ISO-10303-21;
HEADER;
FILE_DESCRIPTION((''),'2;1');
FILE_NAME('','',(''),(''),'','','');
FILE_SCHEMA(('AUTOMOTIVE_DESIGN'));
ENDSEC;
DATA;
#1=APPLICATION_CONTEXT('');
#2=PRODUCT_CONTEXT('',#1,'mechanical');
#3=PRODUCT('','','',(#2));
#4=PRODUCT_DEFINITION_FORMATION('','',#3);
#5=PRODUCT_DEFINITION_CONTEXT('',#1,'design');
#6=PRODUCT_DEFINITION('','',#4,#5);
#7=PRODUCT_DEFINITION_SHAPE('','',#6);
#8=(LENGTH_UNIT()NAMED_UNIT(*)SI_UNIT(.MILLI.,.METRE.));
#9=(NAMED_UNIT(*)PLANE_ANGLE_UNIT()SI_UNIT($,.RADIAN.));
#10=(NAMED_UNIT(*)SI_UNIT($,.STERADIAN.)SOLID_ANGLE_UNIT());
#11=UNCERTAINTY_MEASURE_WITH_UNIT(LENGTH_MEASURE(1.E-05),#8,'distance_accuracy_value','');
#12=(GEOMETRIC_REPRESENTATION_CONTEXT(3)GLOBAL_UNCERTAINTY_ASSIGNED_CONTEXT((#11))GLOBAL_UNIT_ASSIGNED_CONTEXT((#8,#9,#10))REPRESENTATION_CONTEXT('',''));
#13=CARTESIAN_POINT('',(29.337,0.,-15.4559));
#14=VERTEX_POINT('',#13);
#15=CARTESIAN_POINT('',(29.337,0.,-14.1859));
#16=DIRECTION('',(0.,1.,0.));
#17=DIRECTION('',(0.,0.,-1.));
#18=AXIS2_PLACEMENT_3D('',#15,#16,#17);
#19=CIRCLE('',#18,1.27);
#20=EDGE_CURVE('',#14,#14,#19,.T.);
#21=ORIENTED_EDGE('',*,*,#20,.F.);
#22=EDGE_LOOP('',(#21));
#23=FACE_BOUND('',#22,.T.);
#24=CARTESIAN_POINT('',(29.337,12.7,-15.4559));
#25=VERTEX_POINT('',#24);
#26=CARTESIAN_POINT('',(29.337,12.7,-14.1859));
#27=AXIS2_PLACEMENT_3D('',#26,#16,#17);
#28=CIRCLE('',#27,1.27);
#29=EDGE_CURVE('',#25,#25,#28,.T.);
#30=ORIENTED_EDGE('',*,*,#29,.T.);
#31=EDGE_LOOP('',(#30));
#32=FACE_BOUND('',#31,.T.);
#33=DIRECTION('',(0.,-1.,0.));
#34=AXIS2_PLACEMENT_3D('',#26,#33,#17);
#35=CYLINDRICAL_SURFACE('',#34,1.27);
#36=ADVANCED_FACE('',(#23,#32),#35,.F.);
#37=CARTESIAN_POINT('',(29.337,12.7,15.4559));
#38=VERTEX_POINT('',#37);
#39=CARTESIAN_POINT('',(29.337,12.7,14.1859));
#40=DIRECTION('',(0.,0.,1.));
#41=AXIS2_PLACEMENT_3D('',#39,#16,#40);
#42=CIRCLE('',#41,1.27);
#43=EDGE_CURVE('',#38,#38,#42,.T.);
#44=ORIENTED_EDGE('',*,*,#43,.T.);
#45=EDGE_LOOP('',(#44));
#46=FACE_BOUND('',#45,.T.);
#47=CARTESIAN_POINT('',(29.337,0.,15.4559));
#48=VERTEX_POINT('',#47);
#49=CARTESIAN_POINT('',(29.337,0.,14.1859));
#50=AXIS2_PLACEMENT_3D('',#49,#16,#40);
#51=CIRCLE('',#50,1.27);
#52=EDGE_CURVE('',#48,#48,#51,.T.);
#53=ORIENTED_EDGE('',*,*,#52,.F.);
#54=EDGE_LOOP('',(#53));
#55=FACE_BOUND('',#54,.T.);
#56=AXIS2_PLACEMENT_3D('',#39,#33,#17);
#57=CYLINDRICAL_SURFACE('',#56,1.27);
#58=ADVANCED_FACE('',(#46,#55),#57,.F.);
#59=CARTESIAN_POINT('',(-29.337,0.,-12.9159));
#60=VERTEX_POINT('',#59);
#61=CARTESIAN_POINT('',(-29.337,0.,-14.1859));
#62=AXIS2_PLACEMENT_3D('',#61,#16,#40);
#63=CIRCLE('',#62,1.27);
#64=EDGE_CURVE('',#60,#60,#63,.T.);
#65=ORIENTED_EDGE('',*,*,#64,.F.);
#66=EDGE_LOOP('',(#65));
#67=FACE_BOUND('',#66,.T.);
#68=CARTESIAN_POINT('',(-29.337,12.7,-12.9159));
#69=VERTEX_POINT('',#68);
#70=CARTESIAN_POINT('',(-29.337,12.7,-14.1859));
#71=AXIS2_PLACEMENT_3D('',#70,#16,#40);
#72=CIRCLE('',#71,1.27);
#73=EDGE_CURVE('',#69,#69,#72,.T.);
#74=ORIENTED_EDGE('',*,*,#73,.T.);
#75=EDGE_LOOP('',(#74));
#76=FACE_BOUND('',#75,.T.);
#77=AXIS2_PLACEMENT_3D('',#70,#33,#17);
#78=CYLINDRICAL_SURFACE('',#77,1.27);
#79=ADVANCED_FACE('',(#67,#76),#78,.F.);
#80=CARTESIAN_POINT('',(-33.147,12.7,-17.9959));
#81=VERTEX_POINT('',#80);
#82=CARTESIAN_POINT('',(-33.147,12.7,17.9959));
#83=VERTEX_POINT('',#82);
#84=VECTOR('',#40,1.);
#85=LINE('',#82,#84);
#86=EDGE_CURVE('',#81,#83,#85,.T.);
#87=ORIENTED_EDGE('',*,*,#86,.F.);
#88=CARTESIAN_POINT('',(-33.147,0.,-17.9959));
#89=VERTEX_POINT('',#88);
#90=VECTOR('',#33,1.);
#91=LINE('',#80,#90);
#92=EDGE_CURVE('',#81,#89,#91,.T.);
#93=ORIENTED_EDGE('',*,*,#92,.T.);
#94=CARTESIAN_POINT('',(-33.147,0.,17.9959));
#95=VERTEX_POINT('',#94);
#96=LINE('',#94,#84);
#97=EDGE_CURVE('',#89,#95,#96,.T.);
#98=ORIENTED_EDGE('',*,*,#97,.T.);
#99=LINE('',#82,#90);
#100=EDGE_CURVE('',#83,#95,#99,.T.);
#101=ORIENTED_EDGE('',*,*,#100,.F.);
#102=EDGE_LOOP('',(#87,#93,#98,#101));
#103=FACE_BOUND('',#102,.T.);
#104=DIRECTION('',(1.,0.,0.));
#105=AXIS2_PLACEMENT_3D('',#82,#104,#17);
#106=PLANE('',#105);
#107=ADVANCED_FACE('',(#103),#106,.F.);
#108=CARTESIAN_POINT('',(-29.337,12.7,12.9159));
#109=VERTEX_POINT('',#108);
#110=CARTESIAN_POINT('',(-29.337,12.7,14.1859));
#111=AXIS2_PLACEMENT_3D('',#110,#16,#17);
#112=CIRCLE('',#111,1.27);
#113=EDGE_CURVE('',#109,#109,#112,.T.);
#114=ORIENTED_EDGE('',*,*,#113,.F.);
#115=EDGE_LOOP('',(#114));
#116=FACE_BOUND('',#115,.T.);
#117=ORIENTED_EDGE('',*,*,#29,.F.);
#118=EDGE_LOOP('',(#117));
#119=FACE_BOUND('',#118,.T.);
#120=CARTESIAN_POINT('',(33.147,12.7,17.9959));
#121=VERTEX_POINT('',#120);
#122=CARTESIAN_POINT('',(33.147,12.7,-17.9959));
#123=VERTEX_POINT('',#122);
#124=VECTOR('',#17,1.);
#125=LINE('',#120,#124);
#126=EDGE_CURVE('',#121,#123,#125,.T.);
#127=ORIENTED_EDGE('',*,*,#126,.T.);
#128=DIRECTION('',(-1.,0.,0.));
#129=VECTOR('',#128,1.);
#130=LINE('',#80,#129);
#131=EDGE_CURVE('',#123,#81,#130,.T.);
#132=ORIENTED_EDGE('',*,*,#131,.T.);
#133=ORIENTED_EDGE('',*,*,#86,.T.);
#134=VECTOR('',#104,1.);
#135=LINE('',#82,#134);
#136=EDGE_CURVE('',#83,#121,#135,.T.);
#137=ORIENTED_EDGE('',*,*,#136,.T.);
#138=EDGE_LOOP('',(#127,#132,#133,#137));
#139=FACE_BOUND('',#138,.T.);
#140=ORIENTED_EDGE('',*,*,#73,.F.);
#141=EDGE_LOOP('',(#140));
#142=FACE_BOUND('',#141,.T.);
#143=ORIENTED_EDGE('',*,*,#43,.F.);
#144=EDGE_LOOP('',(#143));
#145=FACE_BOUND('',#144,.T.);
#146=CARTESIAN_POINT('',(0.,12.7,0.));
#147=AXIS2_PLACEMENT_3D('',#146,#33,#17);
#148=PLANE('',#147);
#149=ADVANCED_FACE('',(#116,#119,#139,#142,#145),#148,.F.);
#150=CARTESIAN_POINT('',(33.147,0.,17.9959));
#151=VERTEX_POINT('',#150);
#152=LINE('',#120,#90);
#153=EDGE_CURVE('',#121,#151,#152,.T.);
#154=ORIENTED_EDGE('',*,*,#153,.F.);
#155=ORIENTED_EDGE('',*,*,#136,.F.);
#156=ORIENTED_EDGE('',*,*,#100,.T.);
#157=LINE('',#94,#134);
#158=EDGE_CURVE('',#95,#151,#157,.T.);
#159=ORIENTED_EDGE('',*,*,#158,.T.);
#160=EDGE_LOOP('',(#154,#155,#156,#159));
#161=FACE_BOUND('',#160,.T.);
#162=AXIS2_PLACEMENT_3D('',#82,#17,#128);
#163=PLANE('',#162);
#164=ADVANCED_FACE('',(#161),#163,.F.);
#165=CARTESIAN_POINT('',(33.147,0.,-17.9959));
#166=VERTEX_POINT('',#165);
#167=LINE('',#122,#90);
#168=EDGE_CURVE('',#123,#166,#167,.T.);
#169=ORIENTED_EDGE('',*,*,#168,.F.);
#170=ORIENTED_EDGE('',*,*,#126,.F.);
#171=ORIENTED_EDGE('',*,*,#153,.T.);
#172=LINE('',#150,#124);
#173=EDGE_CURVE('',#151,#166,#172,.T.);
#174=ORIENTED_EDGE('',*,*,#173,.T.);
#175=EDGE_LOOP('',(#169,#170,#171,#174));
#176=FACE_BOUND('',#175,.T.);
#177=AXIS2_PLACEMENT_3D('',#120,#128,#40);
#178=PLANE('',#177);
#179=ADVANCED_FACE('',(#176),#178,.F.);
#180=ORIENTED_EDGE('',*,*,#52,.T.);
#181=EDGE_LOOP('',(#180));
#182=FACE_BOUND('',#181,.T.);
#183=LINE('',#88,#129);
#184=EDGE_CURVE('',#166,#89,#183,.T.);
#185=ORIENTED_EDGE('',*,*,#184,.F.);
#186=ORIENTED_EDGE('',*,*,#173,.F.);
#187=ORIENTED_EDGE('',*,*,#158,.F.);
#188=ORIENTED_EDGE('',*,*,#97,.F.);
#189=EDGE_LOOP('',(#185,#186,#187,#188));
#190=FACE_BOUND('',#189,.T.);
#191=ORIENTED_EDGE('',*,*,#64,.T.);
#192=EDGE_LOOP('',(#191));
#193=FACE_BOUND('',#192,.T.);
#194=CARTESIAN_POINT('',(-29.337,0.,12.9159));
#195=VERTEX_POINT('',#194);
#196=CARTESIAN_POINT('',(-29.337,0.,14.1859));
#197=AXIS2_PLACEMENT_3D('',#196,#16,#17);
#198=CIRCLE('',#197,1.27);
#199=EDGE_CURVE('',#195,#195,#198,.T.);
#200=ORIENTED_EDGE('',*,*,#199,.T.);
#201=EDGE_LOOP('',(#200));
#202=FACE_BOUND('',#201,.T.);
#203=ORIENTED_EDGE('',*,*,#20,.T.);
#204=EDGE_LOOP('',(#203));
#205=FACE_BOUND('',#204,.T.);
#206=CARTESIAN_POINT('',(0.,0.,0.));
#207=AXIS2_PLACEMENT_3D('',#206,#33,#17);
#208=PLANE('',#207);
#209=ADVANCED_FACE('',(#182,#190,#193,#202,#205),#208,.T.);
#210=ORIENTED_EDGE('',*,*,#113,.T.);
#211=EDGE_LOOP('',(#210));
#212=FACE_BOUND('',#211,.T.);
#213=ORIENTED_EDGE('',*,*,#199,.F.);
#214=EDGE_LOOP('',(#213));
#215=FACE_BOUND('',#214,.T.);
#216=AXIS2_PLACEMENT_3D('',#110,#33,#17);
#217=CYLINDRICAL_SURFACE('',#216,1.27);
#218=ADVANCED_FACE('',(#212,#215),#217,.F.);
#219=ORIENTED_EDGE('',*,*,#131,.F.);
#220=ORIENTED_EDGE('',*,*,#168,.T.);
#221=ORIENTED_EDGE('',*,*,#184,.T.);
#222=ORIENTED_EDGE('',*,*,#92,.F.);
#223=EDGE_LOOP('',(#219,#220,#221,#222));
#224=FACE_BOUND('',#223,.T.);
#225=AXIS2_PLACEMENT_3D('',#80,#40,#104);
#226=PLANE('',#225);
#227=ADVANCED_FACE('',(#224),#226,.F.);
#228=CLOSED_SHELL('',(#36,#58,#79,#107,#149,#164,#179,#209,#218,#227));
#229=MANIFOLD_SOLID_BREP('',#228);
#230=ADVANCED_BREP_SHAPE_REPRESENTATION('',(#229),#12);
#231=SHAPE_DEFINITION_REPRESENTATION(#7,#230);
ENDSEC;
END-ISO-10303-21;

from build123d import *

# Parameters (mm, degrees)
SKETCH3_W           = 66.294
SKETCH3_H           = 35.9918
SKETCH3_R           = 1.27
BOSS_EXTRUDE1_DEPTH = 12.7


with BuildPart() as part:
    # Sketch3 → Boss-Extrude1 (new body)
    with BuildSketch(Plane(origin=(0, 0, 0), x_dir=(1, 0, 0), z_dir=(0, 1, 0))):
        Rectangle(SKETCH3_W, SKETCH3_H)
        with Locations((-29.337, 14.1859)):
            Circle(SKETCH3_R, mode=Mode.SUBTRACT)
        with Locations((29.337, 14.1859)):
            Circle(SKETCH3_R, mode=Mode.SUBTRACT)
        with Locations((29.337, -14.1859)):
            Circle(SKETCH3_R, mode=Mode.SUBTRACT)
        with Locations((-29.337, -14.1859)):
            Circle(SKETCH3_R, mode=Mode.SUBTRACT)
    extrude(amount=BOSS_EXTRUDE1_DEPTH)


solid = part.part
